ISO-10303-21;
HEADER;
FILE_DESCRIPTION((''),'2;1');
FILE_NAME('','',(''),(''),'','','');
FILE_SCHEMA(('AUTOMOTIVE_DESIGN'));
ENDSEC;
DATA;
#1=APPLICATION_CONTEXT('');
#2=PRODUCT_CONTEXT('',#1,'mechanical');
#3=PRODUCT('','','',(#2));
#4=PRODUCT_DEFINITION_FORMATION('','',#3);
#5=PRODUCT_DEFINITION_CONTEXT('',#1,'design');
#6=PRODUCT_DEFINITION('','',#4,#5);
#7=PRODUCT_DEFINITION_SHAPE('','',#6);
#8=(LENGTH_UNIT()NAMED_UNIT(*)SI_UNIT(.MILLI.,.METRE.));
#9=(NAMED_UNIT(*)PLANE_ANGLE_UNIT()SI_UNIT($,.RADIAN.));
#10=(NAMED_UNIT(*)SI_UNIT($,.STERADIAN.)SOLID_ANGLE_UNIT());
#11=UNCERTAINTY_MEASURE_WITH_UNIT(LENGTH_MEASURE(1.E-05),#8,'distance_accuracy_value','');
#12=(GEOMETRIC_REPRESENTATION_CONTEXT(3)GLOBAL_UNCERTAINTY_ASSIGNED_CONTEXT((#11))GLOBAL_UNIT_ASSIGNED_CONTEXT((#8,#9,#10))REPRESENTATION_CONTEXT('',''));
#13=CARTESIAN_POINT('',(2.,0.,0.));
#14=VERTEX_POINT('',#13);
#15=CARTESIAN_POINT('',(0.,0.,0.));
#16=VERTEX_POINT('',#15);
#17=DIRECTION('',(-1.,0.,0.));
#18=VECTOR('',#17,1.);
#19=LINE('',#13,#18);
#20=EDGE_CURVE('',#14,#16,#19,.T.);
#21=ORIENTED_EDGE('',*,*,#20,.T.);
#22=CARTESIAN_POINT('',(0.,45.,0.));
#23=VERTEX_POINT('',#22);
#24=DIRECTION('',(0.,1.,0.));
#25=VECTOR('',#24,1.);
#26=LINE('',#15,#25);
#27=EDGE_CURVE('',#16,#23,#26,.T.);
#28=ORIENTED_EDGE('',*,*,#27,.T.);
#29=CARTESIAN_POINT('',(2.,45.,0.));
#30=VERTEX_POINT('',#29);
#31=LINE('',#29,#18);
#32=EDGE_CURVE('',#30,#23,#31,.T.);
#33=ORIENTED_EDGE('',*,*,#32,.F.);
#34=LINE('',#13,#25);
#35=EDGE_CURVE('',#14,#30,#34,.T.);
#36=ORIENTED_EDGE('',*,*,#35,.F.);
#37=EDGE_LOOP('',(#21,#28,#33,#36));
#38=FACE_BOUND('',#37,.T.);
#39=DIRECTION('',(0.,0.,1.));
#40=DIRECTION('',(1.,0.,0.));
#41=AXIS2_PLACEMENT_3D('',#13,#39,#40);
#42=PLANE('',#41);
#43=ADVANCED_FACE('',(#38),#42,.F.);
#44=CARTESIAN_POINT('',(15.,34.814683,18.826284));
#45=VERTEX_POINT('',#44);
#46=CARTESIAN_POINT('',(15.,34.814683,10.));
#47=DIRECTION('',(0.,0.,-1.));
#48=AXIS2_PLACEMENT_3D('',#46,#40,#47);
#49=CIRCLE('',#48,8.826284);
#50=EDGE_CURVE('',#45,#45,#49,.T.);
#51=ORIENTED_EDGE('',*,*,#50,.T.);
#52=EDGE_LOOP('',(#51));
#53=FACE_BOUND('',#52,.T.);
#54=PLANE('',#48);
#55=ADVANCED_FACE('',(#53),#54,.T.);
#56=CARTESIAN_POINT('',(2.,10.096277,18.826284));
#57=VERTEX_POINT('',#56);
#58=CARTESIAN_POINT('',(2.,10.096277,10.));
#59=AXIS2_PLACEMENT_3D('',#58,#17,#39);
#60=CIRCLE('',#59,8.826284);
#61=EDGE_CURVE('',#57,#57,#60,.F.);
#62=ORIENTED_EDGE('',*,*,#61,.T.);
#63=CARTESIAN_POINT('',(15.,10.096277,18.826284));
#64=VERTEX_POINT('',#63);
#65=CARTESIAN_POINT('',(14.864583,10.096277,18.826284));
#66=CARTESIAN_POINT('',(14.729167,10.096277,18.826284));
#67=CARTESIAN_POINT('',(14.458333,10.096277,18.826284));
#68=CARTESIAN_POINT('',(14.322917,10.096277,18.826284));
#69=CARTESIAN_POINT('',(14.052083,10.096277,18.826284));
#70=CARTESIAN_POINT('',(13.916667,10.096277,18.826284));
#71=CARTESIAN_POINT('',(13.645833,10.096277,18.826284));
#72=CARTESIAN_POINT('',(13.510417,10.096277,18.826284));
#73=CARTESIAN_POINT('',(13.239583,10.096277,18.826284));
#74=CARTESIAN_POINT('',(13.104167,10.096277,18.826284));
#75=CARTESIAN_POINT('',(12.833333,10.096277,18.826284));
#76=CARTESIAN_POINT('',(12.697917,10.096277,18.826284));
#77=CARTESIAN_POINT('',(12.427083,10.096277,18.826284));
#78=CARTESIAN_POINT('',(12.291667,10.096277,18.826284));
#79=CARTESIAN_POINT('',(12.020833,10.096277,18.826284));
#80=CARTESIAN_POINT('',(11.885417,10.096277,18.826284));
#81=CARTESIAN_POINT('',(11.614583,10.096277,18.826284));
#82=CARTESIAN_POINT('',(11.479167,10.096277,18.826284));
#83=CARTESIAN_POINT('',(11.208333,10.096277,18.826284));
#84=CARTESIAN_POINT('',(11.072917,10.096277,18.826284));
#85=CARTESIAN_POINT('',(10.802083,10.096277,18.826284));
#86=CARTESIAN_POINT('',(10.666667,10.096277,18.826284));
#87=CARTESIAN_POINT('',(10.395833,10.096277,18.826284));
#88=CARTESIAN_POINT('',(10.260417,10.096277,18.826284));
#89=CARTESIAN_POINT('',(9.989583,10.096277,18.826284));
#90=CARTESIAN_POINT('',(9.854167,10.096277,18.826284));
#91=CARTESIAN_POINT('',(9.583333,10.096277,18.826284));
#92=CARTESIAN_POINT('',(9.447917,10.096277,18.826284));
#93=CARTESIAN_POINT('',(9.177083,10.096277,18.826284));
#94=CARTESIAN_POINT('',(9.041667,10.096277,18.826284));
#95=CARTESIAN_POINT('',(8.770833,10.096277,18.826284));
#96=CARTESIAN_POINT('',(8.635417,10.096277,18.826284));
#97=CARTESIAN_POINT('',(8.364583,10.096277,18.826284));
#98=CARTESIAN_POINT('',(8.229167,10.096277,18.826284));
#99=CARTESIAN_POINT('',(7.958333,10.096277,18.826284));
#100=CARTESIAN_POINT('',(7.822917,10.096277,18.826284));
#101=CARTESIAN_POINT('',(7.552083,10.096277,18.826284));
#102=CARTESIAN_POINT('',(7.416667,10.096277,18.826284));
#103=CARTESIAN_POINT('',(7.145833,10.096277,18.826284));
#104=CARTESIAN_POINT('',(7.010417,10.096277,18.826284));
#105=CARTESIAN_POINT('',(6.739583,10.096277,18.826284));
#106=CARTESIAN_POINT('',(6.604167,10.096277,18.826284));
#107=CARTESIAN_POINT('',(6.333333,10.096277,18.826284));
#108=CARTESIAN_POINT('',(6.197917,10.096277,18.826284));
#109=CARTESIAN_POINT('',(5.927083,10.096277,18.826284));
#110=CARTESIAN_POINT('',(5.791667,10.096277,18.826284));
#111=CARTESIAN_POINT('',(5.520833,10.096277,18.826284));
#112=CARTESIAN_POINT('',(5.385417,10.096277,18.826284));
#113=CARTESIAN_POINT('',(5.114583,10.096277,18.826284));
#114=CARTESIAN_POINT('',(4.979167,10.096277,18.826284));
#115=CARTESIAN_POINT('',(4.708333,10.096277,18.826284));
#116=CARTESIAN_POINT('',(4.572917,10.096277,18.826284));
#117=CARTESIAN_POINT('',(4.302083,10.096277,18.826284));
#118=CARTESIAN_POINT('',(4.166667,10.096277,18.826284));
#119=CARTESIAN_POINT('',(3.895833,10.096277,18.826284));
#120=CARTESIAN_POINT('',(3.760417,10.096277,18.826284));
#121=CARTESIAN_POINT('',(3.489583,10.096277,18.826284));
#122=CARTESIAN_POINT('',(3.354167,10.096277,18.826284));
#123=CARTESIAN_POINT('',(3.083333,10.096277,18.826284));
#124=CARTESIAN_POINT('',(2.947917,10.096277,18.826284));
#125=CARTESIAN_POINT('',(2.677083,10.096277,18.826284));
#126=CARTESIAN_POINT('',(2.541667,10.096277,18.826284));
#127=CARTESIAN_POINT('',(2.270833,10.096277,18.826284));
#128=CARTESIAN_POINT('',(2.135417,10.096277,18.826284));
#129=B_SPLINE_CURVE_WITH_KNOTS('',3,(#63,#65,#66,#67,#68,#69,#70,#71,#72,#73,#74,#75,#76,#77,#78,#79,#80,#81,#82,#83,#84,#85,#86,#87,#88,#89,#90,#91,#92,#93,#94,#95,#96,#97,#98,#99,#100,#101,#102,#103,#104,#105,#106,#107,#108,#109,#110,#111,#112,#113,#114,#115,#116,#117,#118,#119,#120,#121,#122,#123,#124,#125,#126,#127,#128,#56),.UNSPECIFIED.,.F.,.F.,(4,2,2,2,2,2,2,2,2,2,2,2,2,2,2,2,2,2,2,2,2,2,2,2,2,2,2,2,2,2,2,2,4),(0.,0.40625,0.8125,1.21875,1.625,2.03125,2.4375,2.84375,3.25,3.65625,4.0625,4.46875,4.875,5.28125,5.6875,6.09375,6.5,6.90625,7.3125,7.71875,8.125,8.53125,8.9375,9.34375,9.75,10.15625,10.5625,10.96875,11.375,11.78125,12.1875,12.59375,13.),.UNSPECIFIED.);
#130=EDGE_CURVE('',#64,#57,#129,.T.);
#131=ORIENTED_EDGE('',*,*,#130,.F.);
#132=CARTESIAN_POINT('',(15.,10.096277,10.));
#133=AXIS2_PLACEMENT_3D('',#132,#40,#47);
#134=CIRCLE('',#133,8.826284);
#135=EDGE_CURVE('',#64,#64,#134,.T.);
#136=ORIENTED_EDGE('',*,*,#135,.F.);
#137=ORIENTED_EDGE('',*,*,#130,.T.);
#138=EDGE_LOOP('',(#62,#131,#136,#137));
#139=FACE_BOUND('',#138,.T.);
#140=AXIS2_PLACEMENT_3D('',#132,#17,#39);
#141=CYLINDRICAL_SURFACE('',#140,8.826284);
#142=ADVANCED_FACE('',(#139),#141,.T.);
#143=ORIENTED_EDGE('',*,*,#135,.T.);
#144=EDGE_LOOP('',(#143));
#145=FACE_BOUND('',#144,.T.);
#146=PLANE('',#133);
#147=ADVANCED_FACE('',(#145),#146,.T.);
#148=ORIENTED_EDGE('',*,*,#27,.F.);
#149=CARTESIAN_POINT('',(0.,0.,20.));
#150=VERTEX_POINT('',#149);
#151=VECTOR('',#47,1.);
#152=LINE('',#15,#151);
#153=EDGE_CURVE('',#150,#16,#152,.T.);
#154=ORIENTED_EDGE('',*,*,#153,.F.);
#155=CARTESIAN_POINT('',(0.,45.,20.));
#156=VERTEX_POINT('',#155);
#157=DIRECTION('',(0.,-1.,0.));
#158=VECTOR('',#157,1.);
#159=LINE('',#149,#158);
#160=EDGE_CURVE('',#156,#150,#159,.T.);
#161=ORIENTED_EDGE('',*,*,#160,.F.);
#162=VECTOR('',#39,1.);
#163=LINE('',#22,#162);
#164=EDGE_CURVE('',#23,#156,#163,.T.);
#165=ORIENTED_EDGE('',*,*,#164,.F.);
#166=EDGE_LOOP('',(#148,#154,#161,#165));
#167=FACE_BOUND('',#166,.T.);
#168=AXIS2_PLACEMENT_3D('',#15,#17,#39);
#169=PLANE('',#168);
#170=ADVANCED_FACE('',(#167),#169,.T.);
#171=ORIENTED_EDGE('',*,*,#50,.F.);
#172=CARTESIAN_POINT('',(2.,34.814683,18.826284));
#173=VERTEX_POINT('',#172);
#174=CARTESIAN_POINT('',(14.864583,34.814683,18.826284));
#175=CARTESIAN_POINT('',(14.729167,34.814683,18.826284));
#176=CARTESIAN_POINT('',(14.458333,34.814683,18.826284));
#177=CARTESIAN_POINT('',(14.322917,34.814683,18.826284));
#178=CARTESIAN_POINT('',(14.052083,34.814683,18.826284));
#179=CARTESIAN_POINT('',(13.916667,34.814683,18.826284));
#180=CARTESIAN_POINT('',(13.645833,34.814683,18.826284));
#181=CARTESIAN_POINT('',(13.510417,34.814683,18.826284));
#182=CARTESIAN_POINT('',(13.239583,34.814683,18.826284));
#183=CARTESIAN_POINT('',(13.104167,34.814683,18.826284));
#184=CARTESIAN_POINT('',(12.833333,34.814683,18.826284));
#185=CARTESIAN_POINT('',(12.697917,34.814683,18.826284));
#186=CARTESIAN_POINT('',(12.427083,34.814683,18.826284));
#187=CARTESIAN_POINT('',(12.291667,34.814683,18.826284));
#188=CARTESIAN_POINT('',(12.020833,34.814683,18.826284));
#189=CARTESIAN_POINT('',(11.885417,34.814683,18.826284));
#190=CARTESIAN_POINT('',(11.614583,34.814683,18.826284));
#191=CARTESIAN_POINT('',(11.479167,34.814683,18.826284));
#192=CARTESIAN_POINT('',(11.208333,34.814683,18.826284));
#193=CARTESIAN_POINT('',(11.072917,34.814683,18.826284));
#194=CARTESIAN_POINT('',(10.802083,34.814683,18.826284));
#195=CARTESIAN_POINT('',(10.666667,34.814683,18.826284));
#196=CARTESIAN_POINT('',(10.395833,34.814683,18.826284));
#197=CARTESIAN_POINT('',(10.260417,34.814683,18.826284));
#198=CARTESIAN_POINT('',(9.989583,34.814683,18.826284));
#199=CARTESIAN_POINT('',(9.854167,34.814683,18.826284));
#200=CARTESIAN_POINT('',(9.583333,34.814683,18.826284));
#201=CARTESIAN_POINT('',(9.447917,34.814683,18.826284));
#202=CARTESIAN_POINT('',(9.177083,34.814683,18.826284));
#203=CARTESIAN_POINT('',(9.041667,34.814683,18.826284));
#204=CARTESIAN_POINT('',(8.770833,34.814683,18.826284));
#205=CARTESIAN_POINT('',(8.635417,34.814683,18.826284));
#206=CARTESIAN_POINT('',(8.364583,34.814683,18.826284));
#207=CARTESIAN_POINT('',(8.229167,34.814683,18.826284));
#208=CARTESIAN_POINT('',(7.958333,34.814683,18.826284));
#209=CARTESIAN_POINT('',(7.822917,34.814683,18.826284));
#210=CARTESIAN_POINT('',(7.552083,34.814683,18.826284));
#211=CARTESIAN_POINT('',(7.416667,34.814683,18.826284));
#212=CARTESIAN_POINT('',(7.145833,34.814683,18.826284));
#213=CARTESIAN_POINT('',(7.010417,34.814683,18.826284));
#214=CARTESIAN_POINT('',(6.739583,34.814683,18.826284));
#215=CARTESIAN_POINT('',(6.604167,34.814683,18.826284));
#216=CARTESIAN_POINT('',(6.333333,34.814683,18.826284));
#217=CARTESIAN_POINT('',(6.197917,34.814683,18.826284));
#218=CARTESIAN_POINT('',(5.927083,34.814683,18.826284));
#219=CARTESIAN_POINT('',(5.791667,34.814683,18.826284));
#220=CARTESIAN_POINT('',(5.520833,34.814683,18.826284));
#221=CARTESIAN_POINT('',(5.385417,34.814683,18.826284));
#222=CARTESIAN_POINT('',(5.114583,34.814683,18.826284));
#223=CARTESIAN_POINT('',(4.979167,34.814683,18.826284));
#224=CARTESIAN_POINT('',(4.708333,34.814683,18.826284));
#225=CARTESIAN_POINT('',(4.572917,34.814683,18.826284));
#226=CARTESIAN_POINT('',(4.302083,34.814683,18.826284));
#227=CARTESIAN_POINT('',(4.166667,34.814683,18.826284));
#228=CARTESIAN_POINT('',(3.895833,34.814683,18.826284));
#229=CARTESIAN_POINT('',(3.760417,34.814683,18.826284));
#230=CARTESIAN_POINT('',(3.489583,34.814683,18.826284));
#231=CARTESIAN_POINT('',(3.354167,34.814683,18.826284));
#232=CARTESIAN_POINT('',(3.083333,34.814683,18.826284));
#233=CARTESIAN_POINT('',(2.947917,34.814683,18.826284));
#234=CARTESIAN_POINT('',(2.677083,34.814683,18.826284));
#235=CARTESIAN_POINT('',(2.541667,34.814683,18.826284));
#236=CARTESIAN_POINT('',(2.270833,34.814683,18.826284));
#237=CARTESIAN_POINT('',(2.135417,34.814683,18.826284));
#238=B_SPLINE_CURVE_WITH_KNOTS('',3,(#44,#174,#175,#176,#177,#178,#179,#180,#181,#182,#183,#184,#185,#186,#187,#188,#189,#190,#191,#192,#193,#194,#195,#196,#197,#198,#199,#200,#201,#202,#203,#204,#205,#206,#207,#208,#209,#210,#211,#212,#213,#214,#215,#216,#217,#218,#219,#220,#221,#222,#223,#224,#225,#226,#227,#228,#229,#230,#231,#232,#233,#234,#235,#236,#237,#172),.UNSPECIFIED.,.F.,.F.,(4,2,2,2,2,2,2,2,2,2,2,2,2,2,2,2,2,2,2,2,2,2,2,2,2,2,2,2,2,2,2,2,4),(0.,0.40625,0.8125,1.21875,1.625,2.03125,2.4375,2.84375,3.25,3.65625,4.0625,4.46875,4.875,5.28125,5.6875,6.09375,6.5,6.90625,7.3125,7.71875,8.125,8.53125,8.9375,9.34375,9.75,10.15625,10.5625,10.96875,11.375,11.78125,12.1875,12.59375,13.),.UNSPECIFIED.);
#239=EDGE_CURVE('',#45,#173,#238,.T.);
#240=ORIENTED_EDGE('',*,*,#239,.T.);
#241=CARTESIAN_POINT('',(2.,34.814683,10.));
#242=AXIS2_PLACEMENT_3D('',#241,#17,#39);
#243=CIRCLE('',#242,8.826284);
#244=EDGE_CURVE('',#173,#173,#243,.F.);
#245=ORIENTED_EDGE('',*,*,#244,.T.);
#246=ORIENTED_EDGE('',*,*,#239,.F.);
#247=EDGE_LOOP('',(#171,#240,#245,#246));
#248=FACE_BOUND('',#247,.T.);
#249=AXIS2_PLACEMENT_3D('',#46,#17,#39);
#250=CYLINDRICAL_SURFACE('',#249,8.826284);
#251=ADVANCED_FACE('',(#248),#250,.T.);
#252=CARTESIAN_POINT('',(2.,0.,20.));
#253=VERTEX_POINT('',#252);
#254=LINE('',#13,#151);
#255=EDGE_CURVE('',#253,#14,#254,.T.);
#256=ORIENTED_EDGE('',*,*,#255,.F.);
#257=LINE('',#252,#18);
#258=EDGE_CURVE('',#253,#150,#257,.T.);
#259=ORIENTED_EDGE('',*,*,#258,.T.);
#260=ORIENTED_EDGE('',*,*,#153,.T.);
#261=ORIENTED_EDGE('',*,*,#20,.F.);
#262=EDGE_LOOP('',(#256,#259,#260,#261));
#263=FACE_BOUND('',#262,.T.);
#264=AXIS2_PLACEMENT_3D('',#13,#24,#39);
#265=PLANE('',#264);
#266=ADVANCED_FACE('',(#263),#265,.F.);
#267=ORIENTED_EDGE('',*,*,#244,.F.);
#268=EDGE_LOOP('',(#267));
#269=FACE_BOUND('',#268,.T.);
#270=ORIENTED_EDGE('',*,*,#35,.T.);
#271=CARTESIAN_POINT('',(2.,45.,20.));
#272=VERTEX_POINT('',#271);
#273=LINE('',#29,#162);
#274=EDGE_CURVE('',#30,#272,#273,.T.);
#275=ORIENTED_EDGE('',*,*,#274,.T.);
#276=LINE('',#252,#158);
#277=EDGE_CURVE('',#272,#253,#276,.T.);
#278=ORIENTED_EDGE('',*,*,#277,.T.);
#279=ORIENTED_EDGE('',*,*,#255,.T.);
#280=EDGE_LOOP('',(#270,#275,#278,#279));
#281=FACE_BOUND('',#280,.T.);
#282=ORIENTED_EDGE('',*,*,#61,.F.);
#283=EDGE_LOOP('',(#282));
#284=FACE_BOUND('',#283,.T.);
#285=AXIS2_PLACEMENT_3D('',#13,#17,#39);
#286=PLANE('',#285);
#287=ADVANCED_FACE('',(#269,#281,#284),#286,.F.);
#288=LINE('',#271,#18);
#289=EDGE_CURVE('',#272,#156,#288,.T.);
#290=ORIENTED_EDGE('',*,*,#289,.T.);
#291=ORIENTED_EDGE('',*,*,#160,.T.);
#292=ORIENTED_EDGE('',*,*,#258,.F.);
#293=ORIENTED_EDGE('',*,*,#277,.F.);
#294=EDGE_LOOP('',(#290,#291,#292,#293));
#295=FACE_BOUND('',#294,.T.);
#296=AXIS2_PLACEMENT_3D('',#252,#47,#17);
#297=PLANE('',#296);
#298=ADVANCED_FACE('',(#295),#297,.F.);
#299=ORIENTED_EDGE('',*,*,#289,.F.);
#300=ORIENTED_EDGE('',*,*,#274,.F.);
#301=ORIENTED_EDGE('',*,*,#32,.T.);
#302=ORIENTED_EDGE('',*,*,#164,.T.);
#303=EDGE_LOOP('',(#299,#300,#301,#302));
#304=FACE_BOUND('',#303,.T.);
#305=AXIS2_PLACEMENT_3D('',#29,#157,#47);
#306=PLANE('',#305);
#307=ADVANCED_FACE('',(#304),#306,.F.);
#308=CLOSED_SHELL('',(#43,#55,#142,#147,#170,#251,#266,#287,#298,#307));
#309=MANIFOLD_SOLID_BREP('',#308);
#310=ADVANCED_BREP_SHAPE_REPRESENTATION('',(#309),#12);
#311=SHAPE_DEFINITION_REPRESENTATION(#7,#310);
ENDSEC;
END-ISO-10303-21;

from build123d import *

# Parameters (mm, degrees)
SKETCH1_W           = 45
SKETCH1_H           = 20
BOSS_EXTRUDE1_DEPTH = 2
SKETCH2_R           = 8.826284226
BOSS_EXTRUDE3_DEPTH = 13
SKETCH2_5_R         = 8.826284226
BOSS_EXTRUDE4_DEPTH = 13


with BuildPart() as part:
    # Sketch1 → Boss-Extrude1 (new body)
    with BuildSketch(Plane.YZ):
        with Locations((22.5, 10)):
            Rectangle(SKETCH1_W, SKETCH1_H)
    extrude(amount=BOSS_EXTRUDE1_DEPTH)

    # Sketch2 → Boss-Extrude3 (add)
    with BuildSketch(Plane.YZ.offset(2)):
        with Locations((10.096276732, 10)):
            Circle(SKETCH2_R)
    extrude(amount=BOSS_EXTRUDE3_DEPTH)

    # Sketch2<5> → Boss-Extrude4 (add)
    with BuildSketch(Plane.YZ.offset(2)):
        with Locations((34.814683325, 10)):
            Circle(SKETCH2_5_R)
    extrude(amount=BOSS_EXTRUDE4_DEPTH)


solid = part.part
